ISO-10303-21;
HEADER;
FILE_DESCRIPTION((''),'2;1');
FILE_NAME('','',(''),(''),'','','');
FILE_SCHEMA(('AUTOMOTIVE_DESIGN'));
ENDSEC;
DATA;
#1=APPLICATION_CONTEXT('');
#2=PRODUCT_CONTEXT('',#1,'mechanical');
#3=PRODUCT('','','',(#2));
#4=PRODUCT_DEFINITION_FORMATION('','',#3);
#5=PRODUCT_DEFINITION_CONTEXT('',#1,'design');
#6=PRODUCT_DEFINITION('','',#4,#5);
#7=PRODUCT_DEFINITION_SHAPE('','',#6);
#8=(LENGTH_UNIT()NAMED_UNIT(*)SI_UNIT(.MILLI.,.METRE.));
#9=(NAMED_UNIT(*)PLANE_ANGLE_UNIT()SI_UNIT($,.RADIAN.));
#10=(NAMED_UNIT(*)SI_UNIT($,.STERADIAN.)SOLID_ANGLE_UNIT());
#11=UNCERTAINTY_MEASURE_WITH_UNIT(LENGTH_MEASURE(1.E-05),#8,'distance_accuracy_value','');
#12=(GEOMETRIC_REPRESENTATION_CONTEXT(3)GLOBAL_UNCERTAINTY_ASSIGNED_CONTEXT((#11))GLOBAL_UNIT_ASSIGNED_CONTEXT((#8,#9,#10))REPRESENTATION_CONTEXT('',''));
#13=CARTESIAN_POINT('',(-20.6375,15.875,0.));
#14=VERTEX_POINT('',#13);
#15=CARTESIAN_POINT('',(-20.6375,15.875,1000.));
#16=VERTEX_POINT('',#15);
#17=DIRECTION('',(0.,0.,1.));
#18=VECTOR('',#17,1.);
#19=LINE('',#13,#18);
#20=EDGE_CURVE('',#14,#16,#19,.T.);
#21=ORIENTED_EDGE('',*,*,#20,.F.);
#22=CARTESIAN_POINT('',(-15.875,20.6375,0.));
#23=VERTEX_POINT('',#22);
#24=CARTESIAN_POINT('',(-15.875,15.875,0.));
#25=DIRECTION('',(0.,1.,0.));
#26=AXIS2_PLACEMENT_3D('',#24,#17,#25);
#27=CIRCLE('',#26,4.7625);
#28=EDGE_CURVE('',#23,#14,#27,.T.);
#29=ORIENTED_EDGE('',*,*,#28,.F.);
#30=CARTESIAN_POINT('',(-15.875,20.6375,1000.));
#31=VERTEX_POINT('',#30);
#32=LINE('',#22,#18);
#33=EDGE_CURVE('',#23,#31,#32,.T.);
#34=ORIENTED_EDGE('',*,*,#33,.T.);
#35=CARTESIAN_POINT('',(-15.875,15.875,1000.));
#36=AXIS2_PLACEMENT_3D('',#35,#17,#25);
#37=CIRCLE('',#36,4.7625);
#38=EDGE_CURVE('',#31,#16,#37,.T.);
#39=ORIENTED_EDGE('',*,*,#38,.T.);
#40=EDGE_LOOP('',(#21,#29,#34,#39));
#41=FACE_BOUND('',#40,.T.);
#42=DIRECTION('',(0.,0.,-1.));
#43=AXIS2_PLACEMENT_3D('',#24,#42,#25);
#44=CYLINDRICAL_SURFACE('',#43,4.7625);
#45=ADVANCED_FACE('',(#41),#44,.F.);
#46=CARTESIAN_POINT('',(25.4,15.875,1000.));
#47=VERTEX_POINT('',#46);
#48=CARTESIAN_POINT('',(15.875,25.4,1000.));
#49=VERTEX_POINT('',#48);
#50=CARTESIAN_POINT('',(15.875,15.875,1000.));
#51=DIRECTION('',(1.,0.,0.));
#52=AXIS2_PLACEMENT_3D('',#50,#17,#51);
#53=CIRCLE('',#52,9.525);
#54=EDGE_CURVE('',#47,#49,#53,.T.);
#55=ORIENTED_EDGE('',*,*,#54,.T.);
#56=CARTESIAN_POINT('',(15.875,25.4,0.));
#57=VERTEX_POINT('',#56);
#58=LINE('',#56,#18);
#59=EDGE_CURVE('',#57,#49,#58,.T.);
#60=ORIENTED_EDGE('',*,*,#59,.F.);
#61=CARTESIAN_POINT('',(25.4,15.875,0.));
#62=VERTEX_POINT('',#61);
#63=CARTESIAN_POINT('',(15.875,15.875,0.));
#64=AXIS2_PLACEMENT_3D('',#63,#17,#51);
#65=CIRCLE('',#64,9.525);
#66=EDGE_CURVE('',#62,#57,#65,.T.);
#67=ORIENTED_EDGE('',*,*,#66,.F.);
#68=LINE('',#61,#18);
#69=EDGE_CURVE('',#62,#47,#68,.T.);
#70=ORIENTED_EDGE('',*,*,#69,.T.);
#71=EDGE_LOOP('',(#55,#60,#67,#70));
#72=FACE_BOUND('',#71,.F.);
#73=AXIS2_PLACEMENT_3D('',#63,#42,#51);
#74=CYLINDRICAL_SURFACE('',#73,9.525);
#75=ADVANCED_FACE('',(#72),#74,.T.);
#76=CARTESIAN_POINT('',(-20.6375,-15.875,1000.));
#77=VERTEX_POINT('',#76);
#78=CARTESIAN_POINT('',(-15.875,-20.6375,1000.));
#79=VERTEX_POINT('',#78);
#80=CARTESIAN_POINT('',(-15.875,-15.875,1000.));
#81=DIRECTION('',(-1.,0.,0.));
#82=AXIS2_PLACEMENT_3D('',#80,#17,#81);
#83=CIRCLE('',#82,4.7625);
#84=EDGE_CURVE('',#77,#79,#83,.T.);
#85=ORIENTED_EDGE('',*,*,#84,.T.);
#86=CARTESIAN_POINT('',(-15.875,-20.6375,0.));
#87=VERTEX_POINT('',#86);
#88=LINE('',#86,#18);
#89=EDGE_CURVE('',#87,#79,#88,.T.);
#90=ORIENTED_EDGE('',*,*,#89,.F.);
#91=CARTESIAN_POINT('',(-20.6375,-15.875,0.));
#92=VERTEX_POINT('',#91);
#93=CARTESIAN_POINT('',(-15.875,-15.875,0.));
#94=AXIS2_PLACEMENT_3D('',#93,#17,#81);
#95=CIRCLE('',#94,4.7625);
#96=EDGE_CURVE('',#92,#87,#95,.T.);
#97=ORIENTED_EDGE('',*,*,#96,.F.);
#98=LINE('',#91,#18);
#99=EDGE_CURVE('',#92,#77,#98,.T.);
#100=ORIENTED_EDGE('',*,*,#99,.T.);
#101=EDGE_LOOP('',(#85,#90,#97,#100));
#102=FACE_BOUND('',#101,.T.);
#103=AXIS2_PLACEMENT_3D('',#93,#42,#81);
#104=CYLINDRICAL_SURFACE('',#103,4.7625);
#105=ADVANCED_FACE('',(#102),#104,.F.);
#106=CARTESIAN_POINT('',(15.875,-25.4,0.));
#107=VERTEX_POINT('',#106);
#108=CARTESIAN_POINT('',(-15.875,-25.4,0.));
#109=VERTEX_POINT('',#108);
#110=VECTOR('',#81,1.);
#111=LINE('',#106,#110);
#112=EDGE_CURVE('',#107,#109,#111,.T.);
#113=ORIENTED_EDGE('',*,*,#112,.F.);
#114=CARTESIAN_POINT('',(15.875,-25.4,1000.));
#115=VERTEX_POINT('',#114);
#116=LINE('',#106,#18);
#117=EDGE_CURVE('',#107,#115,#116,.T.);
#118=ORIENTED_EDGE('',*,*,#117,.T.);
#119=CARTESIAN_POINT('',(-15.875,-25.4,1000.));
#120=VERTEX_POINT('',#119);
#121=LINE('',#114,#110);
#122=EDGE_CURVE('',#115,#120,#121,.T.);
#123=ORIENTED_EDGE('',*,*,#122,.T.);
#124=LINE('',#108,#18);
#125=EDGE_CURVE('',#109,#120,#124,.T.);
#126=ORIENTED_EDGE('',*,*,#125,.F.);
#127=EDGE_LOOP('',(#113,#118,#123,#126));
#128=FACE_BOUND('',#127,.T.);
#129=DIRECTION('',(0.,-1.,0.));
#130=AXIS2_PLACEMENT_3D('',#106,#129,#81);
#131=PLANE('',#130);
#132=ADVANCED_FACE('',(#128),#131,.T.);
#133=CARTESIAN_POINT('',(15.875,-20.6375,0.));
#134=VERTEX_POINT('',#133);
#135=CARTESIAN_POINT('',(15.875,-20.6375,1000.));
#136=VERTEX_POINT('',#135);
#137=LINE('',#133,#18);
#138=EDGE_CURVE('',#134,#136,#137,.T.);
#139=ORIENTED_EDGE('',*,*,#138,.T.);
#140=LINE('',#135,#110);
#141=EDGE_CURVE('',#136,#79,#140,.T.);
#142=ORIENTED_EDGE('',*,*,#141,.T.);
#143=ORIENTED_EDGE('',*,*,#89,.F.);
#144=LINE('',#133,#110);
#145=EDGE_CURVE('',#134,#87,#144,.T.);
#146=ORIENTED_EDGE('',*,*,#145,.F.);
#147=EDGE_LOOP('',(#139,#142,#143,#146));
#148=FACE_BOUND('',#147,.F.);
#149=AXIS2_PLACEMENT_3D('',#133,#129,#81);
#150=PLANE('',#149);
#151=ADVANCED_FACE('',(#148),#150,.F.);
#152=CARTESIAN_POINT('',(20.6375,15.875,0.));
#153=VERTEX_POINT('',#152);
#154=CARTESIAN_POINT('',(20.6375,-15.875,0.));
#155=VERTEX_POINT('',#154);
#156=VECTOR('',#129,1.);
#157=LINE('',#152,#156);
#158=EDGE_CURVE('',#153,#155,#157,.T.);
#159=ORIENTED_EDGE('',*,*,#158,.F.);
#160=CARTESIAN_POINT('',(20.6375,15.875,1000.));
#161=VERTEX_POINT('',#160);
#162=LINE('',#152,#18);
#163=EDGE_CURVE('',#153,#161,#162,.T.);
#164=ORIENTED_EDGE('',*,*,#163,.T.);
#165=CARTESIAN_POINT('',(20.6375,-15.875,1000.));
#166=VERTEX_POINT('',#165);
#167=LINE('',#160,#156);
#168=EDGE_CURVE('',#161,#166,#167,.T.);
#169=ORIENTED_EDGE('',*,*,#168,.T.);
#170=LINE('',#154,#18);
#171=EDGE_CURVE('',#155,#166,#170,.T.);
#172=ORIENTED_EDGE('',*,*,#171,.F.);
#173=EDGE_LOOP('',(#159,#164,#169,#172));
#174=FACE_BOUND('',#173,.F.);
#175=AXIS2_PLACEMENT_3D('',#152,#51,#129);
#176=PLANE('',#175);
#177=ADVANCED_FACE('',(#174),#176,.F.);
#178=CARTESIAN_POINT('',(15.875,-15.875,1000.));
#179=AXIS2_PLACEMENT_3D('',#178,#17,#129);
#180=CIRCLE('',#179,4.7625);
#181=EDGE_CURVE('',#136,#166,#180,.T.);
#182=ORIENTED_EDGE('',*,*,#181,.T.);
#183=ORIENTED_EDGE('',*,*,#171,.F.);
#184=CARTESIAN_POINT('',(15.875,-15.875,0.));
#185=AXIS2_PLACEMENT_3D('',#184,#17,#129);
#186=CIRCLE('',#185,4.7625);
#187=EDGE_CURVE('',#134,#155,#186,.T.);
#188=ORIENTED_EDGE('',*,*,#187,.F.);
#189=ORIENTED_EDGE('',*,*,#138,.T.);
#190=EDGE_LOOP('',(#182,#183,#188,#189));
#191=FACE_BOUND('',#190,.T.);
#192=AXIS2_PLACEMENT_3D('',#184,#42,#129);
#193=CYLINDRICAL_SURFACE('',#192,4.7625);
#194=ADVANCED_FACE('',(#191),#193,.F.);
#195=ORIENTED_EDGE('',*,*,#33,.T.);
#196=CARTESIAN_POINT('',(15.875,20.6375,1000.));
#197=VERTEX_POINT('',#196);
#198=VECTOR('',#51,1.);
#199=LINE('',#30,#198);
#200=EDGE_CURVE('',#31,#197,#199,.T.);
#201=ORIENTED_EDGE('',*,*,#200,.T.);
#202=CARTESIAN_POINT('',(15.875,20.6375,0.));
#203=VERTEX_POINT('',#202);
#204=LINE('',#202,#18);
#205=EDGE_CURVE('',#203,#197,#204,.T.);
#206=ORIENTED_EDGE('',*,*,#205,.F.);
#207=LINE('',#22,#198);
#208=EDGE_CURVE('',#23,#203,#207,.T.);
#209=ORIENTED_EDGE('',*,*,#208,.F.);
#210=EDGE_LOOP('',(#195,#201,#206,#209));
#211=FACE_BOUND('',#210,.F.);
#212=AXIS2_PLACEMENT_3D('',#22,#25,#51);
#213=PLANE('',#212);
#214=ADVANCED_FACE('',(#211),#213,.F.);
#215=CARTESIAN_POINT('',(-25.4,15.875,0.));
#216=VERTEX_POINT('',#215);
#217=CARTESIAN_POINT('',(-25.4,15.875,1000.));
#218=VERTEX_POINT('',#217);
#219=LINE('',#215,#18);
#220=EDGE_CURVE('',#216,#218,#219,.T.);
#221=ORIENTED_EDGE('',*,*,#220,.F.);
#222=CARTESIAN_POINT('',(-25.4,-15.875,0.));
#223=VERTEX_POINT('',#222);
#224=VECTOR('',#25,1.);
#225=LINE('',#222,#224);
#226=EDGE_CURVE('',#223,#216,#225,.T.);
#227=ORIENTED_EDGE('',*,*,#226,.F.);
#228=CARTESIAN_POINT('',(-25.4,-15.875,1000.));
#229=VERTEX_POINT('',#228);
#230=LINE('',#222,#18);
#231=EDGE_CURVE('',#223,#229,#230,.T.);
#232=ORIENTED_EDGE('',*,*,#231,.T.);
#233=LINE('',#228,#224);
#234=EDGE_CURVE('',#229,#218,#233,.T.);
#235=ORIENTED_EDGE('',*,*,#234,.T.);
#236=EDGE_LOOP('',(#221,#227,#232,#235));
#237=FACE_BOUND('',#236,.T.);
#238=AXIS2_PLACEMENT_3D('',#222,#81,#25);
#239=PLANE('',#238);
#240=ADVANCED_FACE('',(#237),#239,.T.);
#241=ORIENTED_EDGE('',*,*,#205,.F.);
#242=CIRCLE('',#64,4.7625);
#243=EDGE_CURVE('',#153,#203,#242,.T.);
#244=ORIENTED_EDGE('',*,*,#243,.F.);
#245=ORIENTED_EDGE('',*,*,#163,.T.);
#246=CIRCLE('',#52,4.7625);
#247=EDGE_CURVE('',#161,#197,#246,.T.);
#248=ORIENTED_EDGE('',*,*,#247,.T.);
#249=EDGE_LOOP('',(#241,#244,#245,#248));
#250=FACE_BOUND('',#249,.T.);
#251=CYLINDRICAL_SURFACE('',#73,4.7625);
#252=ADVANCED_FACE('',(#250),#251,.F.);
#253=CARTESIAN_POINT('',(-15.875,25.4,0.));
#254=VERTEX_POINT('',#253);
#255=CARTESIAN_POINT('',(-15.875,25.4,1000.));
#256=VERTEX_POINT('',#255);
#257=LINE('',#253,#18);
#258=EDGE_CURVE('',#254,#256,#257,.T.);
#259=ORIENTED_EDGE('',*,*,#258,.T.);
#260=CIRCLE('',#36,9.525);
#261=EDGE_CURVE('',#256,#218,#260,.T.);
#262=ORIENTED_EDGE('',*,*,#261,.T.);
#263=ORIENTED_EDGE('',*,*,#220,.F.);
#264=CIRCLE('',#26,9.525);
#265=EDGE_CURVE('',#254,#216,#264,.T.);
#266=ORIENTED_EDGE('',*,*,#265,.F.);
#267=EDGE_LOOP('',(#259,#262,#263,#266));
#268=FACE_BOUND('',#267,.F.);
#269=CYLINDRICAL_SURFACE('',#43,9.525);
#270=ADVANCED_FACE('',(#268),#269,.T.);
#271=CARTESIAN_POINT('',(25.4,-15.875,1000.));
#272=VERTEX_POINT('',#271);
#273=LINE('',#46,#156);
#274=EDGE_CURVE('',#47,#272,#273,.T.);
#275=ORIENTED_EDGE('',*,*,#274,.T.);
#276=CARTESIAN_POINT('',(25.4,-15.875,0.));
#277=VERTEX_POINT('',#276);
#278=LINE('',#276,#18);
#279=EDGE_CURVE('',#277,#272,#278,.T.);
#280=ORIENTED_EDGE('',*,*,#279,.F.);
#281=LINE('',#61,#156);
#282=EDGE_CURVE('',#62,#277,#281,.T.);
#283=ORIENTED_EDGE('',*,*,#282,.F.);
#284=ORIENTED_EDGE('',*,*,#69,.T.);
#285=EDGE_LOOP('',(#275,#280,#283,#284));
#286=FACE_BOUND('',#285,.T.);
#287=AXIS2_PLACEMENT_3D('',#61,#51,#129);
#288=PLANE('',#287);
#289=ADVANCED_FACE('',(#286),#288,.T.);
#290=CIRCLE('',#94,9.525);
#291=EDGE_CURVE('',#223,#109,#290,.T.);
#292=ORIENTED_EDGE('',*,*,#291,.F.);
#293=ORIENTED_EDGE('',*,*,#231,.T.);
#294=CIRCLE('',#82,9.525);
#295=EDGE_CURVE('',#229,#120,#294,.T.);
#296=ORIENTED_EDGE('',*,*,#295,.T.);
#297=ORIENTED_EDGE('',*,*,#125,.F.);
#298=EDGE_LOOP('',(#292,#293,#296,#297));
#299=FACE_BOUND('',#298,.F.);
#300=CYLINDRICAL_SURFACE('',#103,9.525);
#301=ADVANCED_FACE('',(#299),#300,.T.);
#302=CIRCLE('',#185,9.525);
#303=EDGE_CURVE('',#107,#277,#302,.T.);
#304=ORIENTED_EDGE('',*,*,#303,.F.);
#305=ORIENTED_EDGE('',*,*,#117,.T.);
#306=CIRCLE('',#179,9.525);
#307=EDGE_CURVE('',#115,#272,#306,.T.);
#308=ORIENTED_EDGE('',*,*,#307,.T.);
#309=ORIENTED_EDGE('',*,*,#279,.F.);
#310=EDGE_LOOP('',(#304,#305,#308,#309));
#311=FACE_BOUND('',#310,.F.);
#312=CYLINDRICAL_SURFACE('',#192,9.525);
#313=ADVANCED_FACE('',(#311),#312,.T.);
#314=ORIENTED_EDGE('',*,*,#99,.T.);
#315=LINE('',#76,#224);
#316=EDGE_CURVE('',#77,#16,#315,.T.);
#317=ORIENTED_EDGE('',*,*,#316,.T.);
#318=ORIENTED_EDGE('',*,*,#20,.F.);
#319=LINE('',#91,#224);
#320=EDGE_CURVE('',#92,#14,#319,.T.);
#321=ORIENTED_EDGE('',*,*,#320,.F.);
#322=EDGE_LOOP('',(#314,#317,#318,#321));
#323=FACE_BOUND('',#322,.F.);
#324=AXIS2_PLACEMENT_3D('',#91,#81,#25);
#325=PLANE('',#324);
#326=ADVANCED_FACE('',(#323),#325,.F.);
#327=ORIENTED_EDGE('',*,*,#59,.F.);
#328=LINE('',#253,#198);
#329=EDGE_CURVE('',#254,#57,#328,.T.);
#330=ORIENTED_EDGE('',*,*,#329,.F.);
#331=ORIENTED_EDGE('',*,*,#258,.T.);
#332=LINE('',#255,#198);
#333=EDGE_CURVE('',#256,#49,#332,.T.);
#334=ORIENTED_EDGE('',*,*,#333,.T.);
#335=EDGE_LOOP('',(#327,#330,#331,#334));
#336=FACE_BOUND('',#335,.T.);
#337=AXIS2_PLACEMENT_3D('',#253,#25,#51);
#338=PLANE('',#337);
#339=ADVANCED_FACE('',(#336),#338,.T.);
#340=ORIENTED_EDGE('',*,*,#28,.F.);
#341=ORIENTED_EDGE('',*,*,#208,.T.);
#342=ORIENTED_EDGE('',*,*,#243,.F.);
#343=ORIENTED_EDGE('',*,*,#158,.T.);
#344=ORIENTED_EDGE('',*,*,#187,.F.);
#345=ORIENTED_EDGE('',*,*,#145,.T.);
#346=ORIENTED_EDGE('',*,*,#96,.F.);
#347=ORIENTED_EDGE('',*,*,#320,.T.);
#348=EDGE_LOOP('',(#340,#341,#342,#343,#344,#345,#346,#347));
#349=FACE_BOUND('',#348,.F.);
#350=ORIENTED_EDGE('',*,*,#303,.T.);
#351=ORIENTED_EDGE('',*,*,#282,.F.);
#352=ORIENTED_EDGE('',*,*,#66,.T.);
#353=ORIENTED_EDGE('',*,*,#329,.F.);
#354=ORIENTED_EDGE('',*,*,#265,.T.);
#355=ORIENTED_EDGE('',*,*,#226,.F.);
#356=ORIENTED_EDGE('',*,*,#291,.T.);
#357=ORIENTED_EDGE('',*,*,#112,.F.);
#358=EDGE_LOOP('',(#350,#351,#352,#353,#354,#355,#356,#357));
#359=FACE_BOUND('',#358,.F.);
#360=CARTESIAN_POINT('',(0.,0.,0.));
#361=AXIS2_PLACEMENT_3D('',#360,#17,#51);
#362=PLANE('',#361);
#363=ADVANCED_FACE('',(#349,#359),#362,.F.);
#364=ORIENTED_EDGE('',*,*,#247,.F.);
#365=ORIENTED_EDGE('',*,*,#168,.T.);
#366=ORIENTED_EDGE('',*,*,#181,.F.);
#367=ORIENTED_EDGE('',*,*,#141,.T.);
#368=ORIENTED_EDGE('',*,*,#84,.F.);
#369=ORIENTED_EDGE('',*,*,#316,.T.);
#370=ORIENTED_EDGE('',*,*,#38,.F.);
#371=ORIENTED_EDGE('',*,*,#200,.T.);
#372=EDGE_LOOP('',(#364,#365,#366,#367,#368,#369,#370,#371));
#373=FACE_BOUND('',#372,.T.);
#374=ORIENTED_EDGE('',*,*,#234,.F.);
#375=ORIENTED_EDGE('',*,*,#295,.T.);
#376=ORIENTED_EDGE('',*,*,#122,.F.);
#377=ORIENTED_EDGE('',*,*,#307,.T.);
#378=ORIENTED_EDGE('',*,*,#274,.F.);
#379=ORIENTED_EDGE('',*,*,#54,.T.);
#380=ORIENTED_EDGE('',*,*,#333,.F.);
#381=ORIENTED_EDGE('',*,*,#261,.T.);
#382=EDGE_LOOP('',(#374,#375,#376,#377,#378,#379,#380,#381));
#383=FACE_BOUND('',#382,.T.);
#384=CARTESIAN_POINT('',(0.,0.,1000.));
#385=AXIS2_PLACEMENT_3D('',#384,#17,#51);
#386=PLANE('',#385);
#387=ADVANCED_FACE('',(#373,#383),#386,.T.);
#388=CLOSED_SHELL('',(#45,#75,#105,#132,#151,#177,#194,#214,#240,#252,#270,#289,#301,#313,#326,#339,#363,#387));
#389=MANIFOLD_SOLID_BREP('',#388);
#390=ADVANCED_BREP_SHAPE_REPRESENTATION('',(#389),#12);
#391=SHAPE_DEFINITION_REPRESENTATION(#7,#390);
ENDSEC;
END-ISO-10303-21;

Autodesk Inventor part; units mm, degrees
ref_plane "YZ Plane" through (0, 0, 0) normal (1, 0, 0) x (0, 1, 0)
ref_plane "Plano inicial" through (0, 0, 0) normal (0, 0, 1) x (1, 0, 0)
ref_plane "Plano final" through (0, 0, 1000) normal (0, 0, 1) x (1, 0, 0)
sketch "Esboço" plane through (0, 0, 0) normal (0, 0, 1) x (1, 0, 0)
  line L0 (-25.4, -15.875) -> (-25.4, 15.875)
  line L1 (-15.875, 25.4) -> (15.875, 25.4)
  line L2 (25.4, 15.875) -> (25.4, -15.875)
  line L3 (15.875, -25.4) -> (-15.875, -25.4)
  arc A0 (-25.4, -15.875) -> (-15.875, -25.4) centre (-15.875, -15.875) ccw
  arc A1 (-15.875, 25.4) -> (-25.4, 15.875) centre (-15.875, 15.875) ccw
  arc A2 (25.4, 15.875) -> (15.875, 25.4) centre (15.875, 15.875) ccw
  arc A3 (15.875, -25.4) -> (25.4, -15.875) centre (15.875, -15.875) ccw
  arc A4 (-15.875, 20.6375) -> (-20.6375, 15.875) centre (-15.875, 15.875) ccw
  line L4 (-15.875, 20.6375) -> (15.875, 20.6375)
  arc A5 (20.6375, 15.875) -> (15.875, 20.6375) centre (15.875, 15.875) ccw
  line L5 (20.6375, 15.875) -> (20.6375, -15.875)
  arc A6 (15.875, -20.6375) -> (20.6375, -15.875) centre (15.875, -15.875) ccw
  line L6 (15.875, -20.6375) -> (-15.875, -20.6375)
  arc A7 (-20.6375, -15.875) -> (-15.875, -20.6375) centre (-15.875, -15.875) ccw
  line L7 (-20.6375, -15.875) -> (-20.6375, 15.875)
  line L8 (0, 38.3218) -> (0, -38.3218) construction
  line L9 (-38.3218, 0) -> (38.3218, 0) construction
  dimension "d10" = 50.8
  dimension "d11" = 50.8
  dimension "d12" = 4.7625
  dimension "d15" = 25.4
  dimension "d16" = 25.4
  dimension "d17" = 9.525
extrude "Corpo" add sketch "Esboço" along normal up to surface (1000 mm away) from surface at 0
sketch "Sketch3" plane through (0, 0, 0) normal (0, 0, 1) x (1, 0, 0)
  line L0 (0, 0) -> (10, 0)
ref_plane "Work Plane3" through (0, 0, 0) normal (0, -1, 0) x (1, 0, 0)
sketch "Sketch4" plane through (0, 0, 0) normal (0, -1, 0) x (1, 0, 0)
  line L0 (-2, 0) -> (12, 0)
  line L1 (-2, 1000) -> (12, 1000)
  dimension "d19" = 1000
equation "\"d10\" = G_H"
equation "\"d11\" = G_W"
equation "\"d12\" = G_T"
equation "\"d15\" = 0.5 * d10"
equation "\"d16\" = 0.5 * d11"
equation "\"d17\" = G_IR"
equation "\"d3\" = G_L"
equation "\"G_W\" = 50.8"
equation "\"G_H\" = 50.8"
equation "\"G_T\" = 4.7625"
equation "\"G_IR\" = 9.525"
equation "\"G_L\" = d19"
equation "\"G_OFFSET_START\" = 0"
equation "\"G_OFFSET_END\" = 0"
properties part number "AISC - 2 x 2 x 3/16 - 39,37" material "Aço, suave"
